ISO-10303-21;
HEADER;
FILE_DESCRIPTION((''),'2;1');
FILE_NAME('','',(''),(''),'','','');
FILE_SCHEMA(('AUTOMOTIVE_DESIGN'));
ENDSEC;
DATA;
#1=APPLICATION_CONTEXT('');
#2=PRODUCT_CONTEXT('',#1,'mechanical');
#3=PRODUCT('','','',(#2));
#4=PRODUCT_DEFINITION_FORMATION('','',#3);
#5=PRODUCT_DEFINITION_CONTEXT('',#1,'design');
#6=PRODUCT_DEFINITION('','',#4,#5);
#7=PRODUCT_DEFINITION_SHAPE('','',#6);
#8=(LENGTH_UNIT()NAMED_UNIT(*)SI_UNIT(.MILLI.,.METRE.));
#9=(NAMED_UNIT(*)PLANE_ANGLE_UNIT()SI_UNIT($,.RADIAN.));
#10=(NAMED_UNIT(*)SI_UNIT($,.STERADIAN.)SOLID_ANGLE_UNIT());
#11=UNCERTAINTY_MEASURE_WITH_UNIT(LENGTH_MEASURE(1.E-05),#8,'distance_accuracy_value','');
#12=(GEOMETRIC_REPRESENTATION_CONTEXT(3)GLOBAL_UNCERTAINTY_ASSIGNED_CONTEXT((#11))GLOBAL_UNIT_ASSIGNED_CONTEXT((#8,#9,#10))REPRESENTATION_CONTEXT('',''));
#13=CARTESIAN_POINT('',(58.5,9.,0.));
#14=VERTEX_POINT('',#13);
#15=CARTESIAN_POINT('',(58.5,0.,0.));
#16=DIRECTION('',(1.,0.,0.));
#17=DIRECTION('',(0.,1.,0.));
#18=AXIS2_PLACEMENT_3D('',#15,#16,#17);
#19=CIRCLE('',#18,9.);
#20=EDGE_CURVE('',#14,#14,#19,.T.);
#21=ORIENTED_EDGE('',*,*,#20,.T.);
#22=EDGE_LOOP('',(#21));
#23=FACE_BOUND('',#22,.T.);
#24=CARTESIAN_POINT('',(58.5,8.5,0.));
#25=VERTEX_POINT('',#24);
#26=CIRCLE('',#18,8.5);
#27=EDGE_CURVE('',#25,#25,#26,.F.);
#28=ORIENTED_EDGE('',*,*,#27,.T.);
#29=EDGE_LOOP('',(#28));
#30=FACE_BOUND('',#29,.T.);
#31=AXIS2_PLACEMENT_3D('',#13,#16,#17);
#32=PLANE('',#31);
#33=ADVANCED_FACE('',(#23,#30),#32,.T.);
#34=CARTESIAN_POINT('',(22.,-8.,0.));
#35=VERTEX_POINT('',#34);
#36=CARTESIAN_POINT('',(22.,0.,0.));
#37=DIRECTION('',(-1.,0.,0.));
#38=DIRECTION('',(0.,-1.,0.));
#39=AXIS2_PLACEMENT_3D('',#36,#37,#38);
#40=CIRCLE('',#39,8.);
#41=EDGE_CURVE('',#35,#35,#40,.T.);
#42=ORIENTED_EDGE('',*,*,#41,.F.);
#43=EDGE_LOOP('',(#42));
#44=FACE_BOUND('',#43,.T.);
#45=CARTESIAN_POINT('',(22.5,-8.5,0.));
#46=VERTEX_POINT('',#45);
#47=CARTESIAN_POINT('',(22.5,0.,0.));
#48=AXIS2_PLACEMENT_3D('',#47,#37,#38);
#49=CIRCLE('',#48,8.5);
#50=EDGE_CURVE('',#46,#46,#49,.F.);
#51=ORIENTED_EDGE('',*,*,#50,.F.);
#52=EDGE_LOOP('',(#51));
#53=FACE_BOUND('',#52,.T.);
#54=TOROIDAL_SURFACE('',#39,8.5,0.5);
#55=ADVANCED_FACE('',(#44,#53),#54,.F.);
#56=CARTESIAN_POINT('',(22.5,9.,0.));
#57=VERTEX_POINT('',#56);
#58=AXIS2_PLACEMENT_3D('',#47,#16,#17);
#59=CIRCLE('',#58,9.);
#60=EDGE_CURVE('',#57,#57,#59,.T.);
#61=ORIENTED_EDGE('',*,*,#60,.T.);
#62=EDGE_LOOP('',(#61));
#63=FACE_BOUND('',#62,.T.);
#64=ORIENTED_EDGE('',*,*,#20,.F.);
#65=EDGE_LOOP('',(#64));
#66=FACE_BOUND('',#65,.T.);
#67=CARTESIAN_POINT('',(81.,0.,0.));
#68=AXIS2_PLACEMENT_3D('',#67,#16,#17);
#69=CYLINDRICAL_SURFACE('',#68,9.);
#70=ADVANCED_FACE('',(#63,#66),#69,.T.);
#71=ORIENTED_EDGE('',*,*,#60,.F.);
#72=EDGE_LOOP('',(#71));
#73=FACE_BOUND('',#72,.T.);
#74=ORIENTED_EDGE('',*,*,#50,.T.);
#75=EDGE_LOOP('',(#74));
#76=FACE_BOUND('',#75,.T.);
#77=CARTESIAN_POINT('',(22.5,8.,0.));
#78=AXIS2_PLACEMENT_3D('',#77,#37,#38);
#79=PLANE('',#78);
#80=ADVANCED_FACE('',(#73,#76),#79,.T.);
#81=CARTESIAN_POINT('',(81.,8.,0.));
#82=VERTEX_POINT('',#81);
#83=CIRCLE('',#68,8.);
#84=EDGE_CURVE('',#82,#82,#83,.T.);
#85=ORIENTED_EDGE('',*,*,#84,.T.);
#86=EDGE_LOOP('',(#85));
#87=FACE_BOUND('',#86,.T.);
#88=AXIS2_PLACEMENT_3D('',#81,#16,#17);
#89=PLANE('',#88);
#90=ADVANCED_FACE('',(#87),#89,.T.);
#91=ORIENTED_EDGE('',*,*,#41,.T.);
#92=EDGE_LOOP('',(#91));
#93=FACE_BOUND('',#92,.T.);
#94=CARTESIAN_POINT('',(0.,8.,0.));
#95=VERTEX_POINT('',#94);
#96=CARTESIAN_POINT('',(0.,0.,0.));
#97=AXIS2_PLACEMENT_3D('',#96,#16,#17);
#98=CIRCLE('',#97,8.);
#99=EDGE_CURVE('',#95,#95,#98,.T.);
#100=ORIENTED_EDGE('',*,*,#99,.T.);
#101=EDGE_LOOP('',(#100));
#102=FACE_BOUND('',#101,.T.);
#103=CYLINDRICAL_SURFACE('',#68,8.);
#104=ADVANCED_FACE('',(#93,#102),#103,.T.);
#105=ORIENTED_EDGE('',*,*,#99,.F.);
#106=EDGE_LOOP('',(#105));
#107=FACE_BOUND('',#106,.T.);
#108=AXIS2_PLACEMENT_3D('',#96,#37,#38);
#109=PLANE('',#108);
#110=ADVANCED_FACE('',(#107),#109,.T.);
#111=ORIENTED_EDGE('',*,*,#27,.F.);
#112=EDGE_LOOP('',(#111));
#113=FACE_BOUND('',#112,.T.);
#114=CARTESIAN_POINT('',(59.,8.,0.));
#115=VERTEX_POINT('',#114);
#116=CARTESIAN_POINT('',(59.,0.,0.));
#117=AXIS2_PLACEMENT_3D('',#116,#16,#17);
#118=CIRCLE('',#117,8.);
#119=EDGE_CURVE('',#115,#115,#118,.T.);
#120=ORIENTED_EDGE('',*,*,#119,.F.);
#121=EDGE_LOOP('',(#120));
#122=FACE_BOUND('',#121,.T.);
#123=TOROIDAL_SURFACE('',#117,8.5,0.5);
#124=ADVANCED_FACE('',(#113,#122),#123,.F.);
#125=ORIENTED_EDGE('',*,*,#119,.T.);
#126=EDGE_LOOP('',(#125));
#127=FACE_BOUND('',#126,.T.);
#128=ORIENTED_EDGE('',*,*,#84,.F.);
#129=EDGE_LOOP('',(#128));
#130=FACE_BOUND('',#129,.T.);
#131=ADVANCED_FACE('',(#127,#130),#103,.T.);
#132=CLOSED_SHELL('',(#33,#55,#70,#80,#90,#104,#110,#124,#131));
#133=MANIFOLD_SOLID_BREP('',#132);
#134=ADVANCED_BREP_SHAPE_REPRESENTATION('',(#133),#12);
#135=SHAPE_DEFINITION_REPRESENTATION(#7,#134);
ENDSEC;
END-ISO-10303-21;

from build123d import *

# Parameters (mm, degrees)
RADYUS2_R = 0.5


with BuildPart() as part:
    # Çizim1 → Döndür2 (revolve)
    with BuildSketch(Plane.XY):
        Polygon((0, 0), (0, 8), (22.5, 8), (22.5, 9), (58.5, 9), (58.5, 8), (81, 8), (81, 0), align=None)
    revolve(axis=Axis((81, 0, 0), (-1, 0, 0)))

    # Radyus2
    radyus2_edges = [part.edges().sort_by_distance(p)[0] for p in [
        (58.5, -8, 0),
        (22.5, -8, 0),
    ]]
    fillet(radyus2_edges, radius=RADYUS2_R)


solid = part.part
